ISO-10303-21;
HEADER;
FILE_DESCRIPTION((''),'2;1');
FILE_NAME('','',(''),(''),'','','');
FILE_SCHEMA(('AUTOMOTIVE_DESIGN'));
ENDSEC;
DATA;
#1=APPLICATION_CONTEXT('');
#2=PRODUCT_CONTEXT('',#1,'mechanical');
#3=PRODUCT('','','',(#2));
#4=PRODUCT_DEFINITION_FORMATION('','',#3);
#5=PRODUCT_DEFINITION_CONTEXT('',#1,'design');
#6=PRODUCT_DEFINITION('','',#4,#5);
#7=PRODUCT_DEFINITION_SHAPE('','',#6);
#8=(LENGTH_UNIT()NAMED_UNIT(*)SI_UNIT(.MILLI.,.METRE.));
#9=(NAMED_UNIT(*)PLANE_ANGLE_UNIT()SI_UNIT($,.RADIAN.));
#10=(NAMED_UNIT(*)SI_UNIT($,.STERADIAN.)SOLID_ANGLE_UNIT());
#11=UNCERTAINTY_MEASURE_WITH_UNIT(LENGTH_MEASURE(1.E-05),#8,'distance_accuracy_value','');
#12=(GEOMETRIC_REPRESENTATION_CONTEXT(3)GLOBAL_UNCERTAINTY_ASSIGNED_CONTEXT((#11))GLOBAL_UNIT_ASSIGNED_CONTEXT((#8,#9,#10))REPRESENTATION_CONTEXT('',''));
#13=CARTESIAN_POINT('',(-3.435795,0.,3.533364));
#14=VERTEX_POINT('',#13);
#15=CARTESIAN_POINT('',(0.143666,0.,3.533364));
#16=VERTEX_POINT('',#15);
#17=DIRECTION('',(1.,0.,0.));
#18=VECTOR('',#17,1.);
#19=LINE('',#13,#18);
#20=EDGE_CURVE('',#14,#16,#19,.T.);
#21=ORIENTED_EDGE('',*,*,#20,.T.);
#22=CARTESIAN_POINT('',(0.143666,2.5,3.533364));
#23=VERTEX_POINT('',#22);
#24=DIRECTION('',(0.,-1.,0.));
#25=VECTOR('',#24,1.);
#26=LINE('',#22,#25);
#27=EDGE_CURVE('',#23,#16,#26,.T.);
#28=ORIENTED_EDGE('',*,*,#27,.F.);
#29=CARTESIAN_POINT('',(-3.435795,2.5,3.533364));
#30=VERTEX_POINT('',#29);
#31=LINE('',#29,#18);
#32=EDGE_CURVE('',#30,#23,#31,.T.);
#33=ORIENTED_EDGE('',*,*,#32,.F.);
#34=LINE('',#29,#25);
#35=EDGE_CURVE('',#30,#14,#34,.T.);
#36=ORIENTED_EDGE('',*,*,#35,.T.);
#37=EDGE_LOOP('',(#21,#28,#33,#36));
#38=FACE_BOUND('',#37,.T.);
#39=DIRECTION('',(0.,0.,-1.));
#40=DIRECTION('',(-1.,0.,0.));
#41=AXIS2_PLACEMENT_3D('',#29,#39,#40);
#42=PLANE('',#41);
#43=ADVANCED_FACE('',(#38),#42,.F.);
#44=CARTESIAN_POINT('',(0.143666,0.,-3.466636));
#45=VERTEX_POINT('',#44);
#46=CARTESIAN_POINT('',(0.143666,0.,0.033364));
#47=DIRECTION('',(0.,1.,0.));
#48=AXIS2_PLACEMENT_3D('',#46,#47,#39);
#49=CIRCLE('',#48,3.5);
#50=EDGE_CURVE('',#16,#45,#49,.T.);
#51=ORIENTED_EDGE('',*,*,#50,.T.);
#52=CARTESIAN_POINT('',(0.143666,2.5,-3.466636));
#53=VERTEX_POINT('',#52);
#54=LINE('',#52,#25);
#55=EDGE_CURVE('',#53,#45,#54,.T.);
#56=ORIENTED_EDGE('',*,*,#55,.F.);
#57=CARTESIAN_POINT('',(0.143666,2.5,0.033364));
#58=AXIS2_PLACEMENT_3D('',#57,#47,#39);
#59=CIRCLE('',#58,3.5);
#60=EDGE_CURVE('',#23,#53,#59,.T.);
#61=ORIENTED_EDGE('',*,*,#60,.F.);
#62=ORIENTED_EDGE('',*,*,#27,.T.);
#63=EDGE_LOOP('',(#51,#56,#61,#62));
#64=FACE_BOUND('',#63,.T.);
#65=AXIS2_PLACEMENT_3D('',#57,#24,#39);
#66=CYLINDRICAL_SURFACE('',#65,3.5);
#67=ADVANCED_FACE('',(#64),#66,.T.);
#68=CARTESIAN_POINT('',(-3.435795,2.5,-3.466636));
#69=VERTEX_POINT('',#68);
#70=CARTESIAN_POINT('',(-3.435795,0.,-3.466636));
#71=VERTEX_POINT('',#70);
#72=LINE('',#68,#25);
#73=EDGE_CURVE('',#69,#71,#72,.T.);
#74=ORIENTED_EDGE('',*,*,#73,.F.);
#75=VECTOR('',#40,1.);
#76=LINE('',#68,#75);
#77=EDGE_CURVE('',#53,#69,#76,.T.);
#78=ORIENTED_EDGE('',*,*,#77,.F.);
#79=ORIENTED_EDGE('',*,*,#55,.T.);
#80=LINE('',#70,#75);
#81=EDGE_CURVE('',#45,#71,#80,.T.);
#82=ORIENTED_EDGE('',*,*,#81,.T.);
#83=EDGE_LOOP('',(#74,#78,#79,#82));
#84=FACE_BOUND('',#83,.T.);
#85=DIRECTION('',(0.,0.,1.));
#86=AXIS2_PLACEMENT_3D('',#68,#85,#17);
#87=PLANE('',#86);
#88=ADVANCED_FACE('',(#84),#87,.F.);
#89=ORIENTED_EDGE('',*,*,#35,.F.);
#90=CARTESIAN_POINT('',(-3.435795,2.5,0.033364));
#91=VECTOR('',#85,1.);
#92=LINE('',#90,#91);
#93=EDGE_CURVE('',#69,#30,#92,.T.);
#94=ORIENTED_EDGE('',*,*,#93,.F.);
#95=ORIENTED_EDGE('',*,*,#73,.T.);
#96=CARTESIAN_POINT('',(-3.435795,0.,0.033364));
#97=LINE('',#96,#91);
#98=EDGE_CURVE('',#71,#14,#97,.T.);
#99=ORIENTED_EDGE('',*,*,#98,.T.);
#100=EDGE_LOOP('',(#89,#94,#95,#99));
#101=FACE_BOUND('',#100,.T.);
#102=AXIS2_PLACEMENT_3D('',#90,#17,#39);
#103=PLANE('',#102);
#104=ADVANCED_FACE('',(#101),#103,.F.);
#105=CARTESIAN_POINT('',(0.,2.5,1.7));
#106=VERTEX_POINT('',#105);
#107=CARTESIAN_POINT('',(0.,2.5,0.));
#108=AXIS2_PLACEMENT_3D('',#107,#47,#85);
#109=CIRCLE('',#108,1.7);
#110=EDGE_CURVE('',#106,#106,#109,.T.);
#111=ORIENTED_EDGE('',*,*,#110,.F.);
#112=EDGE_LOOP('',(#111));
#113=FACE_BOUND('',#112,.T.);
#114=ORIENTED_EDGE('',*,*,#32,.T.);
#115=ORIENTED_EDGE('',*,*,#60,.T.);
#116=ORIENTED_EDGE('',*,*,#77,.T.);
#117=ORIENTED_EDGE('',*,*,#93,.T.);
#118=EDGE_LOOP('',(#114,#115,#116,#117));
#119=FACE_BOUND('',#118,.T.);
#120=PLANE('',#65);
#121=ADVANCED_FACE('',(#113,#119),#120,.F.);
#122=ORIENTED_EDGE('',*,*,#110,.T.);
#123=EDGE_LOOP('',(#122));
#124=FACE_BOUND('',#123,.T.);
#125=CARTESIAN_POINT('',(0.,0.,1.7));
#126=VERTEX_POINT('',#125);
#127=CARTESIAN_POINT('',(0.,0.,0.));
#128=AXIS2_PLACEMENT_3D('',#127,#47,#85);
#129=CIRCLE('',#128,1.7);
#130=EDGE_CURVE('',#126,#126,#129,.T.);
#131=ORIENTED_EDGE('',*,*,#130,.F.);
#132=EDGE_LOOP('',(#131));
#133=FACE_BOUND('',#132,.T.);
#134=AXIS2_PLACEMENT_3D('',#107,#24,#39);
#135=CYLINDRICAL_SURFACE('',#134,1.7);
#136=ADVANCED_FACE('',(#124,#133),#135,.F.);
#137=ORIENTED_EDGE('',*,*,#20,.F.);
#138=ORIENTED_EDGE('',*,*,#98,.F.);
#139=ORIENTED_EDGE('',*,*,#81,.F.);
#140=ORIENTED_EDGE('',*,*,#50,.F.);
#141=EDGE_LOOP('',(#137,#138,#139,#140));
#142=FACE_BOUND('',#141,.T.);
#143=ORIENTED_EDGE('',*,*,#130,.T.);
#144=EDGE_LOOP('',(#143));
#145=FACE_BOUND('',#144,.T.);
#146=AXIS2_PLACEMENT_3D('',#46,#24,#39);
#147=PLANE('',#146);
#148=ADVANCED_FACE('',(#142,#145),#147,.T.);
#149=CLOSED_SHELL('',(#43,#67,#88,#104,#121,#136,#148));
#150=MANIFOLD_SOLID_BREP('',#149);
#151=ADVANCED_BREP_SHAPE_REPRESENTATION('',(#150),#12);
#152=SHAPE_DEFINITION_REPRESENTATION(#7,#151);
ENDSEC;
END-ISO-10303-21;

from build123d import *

# Parameters (mm, degrees)
SKETCH1_R           = 1.7
BOSS_EXTRUDE2_DEPTH = 2.5


with BuildPart() as part:
    # Sketch1 → Boss-Extrude2 (new body)
    with BuildSketch(Plane(origin=(0, 0, 0), x_dir=(1, 0, 0), z_dir=(0, 1, 0))):
        with BuildLine():
            Line((-3.435794878, -0.033363683), (-3.435794878, 3.466636317))
            Line((-3.435794878, 3.466636317), (0.143666226, 3.466636317))
            ThreePointArc((0.143666226, 3.466636317), (3.643666226, -0.033363683), (0.143666226, -3.533363683))
            Line((0.143666226, -3.533363683), (-3.435794878, -3.533363683))
            Line((-3.435794878, -3.533363683), (-3.435794878, -0.033363683))
        make_face()
        with Locations(Location((0, 0, 0), (0, 0, 270))):
            Circle(SKETCH1_R, mode=Mode.SUBTRACT)
    extrude(amount=BOSS_EXTRUDE2_DEPTH)


solid = part.part
